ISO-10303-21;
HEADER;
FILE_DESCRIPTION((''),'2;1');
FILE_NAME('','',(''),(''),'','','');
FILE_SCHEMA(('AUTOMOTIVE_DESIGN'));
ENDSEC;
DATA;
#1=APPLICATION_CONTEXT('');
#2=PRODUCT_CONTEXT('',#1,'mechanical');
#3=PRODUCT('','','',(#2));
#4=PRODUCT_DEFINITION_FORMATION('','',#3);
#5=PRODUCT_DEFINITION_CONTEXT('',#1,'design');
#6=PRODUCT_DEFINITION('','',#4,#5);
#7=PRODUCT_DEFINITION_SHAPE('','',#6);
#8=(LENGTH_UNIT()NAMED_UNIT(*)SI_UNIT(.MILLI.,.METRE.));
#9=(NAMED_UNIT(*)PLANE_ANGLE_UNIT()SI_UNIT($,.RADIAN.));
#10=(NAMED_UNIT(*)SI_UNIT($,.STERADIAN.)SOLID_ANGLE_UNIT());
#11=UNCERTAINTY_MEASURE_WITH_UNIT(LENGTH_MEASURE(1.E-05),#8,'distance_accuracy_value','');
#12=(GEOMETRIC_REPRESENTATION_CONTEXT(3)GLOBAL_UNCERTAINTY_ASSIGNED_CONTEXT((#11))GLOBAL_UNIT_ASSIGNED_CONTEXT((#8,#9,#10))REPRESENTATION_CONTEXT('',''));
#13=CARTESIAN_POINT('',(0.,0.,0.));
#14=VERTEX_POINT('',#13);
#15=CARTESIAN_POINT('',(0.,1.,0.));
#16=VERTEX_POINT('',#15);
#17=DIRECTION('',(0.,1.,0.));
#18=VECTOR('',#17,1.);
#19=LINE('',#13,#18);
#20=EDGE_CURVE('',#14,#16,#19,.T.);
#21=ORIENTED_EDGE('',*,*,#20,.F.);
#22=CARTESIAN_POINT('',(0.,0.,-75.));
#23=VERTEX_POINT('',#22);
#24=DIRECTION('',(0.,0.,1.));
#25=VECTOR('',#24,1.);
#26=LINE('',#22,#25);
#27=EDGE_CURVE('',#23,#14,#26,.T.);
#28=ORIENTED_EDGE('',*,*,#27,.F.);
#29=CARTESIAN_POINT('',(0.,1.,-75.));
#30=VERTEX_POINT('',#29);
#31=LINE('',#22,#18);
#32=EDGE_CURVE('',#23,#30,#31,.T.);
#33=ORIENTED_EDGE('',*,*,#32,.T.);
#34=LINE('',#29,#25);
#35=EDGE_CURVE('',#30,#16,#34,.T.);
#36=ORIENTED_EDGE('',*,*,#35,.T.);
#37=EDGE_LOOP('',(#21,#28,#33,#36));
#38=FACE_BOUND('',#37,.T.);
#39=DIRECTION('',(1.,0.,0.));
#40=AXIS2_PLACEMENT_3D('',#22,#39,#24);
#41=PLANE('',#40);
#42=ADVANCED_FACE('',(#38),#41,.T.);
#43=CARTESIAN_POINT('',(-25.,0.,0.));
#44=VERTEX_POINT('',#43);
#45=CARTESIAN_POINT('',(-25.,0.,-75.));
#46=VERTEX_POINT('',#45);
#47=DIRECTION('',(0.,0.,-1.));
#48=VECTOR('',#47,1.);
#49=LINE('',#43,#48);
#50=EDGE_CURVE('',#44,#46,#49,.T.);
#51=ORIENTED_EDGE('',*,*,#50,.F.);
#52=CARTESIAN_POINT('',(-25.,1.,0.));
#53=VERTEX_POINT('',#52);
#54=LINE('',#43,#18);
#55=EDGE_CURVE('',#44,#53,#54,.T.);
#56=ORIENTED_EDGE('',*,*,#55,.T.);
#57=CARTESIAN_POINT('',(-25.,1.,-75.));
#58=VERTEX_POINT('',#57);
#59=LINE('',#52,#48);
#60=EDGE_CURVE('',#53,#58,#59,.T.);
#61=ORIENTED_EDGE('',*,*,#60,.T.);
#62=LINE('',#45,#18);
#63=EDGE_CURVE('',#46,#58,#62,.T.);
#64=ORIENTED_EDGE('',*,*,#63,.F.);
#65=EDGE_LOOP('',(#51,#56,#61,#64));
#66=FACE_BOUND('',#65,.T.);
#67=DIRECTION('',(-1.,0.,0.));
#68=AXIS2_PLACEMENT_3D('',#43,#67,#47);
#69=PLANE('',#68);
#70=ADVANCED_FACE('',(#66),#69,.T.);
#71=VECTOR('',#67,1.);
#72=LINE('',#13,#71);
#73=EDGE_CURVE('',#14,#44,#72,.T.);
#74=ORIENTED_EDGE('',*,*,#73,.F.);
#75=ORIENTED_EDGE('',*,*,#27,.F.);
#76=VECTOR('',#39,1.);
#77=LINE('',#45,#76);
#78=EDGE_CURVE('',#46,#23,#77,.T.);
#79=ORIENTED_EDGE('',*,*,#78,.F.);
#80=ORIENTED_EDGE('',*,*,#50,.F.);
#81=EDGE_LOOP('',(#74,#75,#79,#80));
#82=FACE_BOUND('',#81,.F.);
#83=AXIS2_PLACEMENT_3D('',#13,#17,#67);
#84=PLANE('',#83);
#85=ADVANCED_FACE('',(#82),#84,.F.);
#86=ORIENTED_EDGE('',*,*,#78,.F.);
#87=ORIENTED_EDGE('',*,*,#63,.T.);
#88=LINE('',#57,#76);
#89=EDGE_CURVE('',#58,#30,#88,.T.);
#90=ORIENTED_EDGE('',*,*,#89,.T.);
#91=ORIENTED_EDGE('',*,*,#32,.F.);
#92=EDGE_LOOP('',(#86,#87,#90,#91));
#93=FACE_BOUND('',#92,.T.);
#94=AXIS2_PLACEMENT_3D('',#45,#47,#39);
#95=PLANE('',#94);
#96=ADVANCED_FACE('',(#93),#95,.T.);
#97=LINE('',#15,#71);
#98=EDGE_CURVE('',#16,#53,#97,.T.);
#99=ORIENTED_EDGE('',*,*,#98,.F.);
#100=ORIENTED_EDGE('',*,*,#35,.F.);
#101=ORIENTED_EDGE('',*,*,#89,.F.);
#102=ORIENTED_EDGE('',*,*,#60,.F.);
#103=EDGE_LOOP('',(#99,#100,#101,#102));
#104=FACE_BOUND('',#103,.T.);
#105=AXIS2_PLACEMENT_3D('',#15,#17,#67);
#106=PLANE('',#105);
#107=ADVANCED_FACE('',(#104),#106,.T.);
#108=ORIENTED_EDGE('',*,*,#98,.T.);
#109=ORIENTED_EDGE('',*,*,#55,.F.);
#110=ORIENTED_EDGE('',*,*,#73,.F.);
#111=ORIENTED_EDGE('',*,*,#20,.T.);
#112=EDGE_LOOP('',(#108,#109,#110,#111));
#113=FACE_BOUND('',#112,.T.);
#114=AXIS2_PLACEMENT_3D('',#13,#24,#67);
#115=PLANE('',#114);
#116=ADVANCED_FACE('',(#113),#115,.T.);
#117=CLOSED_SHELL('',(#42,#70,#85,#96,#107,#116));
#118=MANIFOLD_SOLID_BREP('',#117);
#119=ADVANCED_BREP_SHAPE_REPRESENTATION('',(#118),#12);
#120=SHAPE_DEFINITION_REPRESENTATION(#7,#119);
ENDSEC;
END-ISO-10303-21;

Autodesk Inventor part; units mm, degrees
ref_plane "YZ Plane" through (0, 0, 0) normal (1, 0, 0) x (0, 1, 0)
ref_plane "XZ Plane" through (0, 0, 0) normal (0, 1, 0) x (-1, 0, 0)
ref_plane "XY Plane" through (0, 0, 0) normal (0, 0, 1) x (1, 0, 0)
sketch "Sketch1" plane through (0, 0, 0) normal (0, 1, 0) x (-1, 0, 0)
  line L0 (0, 0) -> (25, 0)
  line L1 (25, 0) -> (25, -75)
  line L2 (25, -75) -> (0, -75)
  line L3 (0, -75) -> (0, 0)
  dimension "d0" = 75
  dimension "d1" = 25
extrude "Extrusion1" add sketch "Sketch1" along normal blind 1
properties part number "slide"
